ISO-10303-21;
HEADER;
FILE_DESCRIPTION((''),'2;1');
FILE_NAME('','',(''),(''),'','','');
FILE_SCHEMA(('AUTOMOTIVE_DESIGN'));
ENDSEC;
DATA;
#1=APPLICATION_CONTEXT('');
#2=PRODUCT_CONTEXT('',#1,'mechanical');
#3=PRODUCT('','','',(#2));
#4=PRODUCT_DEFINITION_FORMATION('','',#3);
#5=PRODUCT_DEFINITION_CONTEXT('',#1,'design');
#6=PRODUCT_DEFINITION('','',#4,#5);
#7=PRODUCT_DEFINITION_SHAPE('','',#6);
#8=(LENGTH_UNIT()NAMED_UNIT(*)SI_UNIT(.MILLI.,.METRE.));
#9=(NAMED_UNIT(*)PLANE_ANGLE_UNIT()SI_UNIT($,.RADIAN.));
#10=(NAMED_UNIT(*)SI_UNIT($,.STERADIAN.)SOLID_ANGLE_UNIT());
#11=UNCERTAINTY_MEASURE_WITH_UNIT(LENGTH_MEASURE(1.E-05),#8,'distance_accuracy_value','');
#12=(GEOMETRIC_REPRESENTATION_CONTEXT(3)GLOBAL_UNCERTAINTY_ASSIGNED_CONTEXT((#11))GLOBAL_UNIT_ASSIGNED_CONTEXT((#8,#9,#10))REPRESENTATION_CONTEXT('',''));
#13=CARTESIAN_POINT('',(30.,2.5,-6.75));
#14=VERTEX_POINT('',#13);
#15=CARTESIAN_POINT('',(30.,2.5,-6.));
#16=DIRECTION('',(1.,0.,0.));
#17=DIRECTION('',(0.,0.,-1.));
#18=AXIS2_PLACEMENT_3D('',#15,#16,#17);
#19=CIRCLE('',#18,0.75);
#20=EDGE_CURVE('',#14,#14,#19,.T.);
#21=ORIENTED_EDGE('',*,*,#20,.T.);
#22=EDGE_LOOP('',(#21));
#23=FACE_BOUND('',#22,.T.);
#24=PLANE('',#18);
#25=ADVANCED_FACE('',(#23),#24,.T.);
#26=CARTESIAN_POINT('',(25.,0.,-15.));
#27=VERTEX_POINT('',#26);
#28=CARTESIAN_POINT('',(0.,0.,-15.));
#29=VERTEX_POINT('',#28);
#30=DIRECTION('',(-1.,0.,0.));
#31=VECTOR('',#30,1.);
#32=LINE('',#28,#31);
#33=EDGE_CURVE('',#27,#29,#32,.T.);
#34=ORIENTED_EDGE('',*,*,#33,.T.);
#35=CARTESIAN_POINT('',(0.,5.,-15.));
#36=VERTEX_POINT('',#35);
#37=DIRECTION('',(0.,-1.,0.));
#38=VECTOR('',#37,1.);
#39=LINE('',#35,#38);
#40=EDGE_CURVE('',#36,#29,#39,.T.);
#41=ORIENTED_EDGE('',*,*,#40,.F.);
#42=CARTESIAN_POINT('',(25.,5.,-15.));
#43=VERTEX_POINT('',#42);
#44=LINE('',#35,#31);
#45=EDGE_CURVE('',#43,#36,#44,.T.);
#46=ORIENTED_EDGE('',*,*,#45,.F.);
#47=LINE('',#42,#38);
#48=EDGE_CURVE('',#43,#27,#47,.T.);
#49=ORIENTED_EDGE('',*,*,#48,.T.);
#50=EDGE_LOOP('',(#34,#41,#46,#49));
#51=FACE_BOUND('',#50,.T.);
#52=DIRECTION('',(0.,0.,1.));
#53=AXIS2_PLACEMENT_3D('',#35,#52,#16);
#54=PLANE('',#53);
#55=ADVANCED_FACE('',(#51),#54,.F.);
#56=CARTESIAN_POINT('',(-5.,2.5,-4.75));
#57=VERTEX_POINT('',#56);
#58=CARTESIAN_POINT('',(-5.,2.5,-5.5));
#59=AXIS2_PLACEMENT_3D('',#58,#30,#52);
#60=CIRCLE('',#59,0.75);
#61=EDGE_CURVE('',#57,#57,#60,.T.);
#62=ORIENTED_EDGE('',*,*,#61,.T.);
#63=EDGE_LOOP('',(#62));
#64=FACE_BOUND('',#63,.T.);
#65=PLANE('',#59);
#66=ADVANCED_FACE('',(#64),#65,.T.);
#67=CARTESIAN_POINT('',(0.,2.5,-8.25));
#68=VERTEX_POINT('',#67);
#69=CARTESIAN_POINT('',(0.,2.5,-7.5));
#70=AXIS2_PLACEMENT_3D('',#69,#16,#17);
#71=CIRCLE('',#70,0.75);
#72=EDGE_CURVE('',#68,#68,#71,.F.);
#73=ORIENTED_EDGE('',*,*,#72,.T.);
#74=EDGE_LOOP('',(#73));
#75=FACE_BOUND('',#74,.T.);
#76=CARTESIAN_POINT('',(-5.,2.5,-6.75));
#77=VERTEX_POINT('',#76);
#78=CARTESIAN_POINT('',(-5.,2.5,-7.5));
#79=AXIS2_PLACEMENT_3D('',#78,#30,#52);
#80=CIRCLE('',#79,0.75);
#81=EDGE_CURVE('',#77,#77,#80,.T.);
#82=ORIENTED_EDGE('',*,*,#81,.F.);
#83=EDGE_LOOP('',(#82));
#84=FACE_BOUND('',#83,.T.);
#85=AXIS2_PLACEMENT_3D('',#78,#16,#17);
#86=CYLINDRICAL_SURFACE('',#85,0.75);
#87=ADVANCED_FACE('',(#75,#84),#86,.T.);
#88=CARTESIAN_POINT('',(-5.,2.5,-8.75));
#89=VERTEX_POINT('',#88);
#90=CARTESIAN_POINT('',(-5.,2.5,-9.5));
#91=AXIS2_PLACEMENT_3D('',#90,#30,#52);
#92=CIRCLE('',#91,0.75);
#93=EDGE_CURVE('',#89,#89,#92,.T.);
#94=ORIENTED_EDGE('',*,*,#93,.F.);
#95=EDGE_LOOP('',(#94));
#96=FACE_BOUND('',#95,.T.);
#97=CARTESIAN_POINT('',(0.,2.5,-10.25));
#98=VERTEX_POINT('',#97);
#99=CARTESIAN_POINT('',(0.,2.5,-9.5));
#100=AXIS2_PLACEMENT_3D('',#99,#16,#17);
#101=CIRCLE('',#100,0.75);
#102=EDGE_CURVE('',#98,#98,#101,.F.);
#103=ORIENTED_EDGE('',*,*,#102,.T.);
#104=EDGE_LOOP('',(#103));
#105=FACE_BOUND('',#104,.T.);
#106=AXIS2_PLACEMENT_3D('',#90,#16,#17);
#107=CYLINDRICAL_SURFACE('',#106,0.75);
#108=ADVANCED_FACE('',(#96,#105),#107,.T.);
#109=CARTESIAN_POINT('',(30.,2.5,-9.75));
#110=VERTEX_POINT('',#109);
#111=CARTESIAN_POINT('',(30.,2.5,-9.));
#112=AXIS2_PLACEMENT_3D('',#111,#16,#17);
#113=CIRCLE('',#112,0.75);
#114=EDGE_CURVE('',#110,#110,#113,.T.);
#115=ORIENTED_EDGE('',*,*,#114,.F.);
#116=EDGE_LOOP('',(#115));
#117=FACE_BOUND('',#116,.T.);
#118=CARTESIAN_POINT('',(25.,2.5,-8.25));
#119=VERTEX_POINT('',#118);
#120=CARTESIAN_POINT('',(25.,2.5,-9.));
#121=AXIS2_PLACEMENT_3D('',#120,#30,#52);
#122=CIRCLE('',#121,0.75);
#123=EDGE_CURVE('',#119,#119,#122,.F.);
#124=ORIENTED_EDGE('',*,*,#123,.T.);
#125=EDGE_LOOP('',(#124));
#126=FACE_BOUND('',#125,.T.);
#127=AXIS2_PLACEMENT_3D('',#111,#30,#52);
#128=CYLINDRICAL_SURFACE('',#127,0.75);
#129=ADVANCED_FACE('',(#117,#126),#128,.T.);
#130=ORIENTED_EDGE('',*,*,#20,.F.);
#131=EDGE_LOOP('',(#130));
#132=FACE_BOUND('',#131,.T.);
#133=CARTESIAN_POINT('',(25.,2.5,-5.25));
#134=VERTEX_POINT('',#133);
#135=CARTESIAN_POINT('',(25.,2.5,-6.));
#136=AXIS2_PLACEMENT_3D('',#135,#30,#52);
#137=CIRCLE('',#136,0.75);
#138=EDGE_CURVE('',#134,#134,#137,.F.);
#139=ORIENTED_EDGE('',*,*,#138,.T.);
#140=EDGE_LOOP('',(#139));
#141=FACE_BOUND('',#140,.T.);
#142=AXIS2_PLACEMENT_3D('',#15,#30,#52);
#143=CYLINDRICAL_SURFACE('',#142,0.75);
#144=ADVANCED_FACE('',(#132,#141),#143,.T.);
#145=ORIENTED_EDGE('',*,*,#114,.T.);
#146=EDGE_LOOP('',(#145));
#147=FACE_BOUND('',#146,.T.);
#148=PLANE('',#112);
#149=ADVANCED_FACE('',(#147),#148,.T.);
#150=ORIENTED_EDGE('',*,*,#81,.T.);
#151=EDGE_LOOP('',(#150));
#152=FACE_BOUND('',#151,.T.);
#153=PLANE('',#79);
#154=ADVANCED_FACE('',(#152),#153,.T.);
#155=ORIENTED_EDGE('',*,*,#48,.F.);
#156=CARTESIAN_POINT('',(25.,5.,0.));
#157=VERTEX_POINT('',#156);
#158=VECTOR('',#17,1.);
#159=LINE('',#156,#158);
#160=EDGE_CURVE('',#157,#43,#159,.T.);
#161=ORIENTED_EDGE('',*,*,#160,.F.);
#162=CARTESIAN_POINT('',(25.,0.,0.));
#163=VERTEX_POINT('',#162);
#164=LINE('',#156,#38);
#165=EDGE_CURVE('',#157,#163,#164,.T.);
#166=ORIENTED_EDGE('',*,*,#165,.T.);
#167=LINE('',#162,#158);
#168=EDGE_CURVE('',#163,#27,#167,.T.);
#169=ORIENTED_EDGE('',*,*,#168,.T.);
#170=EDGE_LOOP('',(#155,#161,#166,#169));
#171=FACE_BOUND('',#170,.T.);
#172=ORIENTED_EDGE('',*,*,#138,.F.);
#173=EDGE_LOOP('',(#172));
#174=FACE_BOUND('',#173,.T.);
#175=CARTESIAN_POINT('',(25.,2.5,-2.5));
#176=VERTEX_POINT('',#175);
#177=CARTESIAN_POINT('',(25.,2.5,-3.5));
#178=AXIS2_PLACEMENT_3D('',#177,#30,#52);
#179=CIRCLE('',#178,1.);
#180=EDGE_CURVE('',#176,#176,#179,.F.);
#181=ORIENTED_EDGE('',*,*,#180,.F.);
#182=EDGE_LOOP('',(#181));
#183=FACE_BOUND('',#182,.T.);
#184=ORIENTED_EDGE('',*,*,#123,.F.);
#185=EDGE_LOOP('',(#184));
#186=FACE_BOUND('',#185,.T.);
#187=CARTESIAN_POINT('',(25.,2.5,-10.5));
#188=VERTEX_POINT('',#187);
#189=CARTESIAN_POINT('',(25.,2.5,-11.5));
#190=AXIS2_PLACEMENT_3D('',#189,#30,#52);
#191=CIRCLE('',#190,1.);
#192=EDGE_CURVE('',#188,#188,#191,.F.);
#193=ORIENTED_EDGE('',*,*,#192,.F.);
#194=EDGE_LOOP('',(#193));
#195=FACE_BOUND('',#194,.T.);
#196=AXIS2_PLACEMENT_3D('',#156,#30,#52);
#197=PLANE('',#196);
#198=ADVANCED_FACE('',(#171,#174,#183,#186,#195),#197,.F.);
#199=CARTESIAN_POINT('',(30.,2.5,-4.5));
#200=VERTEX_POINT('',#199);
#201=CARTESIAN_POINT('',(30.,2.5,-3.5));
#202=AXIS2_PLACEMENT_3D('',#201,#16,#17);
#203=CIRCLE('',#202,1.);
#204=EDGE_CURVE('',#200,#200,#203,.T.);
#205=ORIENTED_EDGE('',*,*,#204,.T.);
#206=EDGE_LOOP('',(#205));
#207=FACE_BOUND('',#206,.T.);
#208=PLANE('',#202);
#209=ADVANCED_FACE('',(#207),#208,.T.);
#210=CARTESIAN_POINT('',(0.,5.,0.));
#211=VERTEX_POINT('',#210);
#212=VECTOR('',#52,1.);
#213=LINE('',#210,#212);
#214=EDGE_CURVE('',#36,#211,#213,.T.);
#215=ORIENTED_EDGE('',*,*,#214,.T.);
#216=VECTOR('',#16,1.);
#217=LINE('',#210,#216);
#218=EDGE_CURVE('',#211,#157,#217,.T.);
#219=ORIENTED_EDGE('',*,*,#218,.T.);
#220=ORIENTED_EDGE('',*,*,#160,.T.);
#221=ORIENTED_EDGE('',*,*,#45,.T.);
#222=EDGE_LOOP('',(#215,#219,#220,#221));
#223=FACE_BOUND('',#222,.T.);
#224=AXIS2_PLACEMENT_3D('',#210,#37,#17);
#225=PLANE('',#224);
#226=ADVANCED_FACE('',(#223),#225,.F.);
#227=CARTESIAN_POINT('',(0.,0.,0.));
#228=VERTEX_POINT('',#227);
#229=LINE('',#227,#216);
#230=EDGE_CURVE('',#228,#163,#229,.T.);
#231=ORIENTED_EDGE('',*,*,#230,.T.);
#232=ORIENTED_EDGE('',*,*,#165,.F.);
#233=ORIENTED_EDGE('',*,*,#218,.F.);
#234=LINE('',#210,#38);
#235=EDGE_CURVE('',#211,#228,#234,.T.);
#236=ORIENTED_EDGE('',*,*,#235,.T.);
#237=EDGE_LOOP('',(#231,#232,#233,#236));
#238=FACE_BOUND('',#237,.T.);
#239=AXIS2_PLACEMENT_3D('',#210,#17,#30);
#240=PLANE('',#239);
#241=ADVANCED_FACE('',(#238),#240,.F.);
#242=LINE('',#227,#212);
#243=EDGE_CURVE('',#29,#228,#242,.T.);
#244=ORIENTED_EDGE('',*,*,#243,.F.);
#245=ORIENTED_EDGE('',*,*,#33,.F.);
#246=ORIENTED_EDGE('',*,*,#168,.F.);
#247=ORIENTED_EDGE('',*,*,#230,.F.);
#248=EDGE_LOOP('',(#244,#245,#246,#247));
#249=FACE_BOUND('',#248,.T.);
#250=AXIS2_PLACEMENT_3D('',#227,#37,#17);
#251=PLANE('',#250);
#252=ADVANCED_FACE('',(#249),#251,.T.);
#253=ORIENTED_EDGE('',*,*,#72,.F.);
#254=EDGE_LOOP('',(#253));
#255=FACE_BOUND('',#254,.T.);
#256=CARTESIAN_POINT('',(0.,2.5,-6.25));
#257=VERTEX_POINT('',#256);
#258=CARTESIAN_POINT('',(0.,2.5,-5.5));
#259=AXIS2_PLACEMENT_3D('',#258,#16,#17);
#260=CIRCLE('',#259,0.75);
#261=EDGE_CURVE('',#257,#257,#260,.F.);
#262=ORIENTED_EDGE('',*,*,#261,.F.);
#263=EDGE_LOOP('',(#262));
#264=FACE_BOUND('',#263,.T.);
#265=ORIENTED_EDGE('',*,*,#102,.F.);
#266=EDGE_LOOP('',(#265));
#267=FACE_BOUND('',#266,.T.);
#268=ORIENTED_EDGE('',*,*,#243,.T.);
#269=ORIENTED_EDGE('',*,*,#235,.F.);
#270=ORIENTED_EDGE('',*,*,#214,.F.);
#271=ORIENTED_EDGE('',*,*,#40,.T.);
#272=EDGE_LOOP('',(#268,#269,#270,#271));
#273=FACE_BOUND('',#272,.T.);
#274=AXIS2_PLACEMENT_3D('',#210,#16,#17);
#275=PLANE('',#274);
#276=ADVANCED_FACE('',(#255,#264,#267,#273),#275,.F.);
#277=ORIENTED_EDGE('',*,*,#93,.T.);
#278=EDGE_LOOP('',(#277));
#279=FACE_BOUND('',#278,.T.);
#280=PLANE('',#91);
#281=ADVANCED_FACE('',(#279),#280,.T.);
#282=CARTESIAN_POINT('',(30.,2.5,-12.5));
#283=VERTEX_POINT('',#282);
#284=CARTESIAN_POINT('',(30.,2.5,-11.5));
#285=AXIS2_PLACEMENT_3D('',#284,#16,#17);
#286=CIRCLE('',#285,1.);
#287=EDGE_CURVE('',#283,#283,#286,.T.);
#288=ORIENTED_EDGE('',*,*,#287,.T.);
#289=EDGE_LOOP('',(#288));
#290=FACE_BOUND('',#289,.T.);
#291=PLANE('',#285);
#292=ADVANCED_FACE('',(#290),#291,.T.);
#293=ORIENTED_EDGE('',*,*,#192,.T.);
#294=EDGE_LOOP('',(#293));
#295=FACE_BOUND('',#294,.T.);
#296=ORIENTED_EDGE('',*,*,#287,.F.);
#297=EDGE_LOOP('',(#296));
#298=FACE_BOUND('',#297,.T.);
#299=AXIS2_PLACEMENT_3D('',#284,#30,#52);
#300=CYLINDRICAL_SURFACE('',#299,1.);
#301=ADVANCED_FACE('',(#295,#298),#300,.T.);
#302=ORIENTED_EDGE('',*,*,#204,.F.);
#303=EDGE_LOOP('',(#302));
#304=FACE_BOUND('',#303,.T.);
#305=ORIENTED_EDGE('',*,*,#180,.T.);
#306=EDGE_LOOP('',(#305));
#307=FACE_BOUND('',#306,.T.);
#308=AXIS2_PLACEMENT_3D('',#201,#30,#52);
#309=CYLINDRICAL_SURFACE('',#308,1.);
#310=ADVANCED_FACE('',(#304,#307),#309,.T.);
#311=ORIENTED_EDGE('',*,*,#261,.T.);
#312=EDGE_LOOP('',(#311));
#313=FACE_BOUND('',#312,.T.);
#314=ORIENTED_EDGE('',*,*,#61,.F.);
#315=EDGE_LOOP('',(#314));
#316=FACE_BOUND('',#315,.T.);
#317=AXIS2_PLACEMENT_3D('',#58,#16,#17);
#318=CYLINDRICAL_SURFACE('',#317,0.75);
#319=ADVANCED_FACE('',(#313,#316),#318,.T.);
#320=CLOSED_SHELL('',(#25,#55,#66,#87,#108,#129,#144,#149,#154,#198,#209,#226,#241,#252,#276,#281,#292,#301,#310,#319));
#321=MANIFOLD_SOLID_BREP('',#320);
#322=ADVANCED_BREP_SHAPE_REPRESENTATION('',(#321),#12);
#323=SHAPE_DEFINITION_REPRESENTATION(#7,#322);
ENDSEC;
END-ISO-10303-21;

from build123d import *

# Parameters (mm, degrees)
SKETCH1_W           = 25
SKETCH1_H           = 15
BOSS_EXTRUDE1_DEPTH = 5
SKETCH2_R           = 1
SKETCH2_R_2         = 0.75
BOSS_EXTRUDE2_DEPTH = 5
SKETCH3_R           = 0.75
BOSS_EXTRUDE3_DEPTH = 5


with BuildPart() as part:
    # Sketch1 → Boss-Extrude1 (new body)
    with BuildSketch(Plane(origin=(0, 0, 0), x_dir=(1, 0, 0), z_dir=(0, 1, 0))):
        with Locations((12.5, 7.5)):
            Rectangle(SKETCH1_W, SKETCH1_H)
    extrude(amount=BOSS_EXTRUDE1_DEPTH)

    # Sketch2 → Boss-Extrude2 (add)
    with BuildSketch(Plane(origin=(25, 0, 0), x_dir=(0, 0, -1), z_dir=(1, 0, 0))):
        with Locations(Location((11.5, 2.5, 0), (0, 0, 180))):
            Circle(SKETCH2_R)
        with Locations(Location((6, 2.5, 0), (0, 0, 180))):
            Circle(SKETCH2_R_2)
        with Locations(Location((9, 2.5, 0), (0, 0, 180))):
            Circle(SKETCH2_R_2)
        with Locations(Location((3.5, 2.5, 0), (0, 0, 180))):
            Circle(SKETCH2_R)
    extrude(amount=BOSS_EXTRUDE2_DEPTH)

    # Sketch3 → Boss-Extrude3 (add)
    with BuildSketch(Plane.ZY):
        with Locations(Location((-9.5, 2.5, 0), (0, 0, 180))):
            Circle(SKETCH3_R)
        with Locations(Location((-7.5, 2.5, 0), (0, 0, 180))):
            Circle(SKETCH3_R)
        with Locations(Location((-5.5, 2.5, 0), (0, 0, 180))):
            Circle(SKETCH3_R)
    extrude(amount=BOSS_EXTRUDE3_DEPTH)


solid = part.part
